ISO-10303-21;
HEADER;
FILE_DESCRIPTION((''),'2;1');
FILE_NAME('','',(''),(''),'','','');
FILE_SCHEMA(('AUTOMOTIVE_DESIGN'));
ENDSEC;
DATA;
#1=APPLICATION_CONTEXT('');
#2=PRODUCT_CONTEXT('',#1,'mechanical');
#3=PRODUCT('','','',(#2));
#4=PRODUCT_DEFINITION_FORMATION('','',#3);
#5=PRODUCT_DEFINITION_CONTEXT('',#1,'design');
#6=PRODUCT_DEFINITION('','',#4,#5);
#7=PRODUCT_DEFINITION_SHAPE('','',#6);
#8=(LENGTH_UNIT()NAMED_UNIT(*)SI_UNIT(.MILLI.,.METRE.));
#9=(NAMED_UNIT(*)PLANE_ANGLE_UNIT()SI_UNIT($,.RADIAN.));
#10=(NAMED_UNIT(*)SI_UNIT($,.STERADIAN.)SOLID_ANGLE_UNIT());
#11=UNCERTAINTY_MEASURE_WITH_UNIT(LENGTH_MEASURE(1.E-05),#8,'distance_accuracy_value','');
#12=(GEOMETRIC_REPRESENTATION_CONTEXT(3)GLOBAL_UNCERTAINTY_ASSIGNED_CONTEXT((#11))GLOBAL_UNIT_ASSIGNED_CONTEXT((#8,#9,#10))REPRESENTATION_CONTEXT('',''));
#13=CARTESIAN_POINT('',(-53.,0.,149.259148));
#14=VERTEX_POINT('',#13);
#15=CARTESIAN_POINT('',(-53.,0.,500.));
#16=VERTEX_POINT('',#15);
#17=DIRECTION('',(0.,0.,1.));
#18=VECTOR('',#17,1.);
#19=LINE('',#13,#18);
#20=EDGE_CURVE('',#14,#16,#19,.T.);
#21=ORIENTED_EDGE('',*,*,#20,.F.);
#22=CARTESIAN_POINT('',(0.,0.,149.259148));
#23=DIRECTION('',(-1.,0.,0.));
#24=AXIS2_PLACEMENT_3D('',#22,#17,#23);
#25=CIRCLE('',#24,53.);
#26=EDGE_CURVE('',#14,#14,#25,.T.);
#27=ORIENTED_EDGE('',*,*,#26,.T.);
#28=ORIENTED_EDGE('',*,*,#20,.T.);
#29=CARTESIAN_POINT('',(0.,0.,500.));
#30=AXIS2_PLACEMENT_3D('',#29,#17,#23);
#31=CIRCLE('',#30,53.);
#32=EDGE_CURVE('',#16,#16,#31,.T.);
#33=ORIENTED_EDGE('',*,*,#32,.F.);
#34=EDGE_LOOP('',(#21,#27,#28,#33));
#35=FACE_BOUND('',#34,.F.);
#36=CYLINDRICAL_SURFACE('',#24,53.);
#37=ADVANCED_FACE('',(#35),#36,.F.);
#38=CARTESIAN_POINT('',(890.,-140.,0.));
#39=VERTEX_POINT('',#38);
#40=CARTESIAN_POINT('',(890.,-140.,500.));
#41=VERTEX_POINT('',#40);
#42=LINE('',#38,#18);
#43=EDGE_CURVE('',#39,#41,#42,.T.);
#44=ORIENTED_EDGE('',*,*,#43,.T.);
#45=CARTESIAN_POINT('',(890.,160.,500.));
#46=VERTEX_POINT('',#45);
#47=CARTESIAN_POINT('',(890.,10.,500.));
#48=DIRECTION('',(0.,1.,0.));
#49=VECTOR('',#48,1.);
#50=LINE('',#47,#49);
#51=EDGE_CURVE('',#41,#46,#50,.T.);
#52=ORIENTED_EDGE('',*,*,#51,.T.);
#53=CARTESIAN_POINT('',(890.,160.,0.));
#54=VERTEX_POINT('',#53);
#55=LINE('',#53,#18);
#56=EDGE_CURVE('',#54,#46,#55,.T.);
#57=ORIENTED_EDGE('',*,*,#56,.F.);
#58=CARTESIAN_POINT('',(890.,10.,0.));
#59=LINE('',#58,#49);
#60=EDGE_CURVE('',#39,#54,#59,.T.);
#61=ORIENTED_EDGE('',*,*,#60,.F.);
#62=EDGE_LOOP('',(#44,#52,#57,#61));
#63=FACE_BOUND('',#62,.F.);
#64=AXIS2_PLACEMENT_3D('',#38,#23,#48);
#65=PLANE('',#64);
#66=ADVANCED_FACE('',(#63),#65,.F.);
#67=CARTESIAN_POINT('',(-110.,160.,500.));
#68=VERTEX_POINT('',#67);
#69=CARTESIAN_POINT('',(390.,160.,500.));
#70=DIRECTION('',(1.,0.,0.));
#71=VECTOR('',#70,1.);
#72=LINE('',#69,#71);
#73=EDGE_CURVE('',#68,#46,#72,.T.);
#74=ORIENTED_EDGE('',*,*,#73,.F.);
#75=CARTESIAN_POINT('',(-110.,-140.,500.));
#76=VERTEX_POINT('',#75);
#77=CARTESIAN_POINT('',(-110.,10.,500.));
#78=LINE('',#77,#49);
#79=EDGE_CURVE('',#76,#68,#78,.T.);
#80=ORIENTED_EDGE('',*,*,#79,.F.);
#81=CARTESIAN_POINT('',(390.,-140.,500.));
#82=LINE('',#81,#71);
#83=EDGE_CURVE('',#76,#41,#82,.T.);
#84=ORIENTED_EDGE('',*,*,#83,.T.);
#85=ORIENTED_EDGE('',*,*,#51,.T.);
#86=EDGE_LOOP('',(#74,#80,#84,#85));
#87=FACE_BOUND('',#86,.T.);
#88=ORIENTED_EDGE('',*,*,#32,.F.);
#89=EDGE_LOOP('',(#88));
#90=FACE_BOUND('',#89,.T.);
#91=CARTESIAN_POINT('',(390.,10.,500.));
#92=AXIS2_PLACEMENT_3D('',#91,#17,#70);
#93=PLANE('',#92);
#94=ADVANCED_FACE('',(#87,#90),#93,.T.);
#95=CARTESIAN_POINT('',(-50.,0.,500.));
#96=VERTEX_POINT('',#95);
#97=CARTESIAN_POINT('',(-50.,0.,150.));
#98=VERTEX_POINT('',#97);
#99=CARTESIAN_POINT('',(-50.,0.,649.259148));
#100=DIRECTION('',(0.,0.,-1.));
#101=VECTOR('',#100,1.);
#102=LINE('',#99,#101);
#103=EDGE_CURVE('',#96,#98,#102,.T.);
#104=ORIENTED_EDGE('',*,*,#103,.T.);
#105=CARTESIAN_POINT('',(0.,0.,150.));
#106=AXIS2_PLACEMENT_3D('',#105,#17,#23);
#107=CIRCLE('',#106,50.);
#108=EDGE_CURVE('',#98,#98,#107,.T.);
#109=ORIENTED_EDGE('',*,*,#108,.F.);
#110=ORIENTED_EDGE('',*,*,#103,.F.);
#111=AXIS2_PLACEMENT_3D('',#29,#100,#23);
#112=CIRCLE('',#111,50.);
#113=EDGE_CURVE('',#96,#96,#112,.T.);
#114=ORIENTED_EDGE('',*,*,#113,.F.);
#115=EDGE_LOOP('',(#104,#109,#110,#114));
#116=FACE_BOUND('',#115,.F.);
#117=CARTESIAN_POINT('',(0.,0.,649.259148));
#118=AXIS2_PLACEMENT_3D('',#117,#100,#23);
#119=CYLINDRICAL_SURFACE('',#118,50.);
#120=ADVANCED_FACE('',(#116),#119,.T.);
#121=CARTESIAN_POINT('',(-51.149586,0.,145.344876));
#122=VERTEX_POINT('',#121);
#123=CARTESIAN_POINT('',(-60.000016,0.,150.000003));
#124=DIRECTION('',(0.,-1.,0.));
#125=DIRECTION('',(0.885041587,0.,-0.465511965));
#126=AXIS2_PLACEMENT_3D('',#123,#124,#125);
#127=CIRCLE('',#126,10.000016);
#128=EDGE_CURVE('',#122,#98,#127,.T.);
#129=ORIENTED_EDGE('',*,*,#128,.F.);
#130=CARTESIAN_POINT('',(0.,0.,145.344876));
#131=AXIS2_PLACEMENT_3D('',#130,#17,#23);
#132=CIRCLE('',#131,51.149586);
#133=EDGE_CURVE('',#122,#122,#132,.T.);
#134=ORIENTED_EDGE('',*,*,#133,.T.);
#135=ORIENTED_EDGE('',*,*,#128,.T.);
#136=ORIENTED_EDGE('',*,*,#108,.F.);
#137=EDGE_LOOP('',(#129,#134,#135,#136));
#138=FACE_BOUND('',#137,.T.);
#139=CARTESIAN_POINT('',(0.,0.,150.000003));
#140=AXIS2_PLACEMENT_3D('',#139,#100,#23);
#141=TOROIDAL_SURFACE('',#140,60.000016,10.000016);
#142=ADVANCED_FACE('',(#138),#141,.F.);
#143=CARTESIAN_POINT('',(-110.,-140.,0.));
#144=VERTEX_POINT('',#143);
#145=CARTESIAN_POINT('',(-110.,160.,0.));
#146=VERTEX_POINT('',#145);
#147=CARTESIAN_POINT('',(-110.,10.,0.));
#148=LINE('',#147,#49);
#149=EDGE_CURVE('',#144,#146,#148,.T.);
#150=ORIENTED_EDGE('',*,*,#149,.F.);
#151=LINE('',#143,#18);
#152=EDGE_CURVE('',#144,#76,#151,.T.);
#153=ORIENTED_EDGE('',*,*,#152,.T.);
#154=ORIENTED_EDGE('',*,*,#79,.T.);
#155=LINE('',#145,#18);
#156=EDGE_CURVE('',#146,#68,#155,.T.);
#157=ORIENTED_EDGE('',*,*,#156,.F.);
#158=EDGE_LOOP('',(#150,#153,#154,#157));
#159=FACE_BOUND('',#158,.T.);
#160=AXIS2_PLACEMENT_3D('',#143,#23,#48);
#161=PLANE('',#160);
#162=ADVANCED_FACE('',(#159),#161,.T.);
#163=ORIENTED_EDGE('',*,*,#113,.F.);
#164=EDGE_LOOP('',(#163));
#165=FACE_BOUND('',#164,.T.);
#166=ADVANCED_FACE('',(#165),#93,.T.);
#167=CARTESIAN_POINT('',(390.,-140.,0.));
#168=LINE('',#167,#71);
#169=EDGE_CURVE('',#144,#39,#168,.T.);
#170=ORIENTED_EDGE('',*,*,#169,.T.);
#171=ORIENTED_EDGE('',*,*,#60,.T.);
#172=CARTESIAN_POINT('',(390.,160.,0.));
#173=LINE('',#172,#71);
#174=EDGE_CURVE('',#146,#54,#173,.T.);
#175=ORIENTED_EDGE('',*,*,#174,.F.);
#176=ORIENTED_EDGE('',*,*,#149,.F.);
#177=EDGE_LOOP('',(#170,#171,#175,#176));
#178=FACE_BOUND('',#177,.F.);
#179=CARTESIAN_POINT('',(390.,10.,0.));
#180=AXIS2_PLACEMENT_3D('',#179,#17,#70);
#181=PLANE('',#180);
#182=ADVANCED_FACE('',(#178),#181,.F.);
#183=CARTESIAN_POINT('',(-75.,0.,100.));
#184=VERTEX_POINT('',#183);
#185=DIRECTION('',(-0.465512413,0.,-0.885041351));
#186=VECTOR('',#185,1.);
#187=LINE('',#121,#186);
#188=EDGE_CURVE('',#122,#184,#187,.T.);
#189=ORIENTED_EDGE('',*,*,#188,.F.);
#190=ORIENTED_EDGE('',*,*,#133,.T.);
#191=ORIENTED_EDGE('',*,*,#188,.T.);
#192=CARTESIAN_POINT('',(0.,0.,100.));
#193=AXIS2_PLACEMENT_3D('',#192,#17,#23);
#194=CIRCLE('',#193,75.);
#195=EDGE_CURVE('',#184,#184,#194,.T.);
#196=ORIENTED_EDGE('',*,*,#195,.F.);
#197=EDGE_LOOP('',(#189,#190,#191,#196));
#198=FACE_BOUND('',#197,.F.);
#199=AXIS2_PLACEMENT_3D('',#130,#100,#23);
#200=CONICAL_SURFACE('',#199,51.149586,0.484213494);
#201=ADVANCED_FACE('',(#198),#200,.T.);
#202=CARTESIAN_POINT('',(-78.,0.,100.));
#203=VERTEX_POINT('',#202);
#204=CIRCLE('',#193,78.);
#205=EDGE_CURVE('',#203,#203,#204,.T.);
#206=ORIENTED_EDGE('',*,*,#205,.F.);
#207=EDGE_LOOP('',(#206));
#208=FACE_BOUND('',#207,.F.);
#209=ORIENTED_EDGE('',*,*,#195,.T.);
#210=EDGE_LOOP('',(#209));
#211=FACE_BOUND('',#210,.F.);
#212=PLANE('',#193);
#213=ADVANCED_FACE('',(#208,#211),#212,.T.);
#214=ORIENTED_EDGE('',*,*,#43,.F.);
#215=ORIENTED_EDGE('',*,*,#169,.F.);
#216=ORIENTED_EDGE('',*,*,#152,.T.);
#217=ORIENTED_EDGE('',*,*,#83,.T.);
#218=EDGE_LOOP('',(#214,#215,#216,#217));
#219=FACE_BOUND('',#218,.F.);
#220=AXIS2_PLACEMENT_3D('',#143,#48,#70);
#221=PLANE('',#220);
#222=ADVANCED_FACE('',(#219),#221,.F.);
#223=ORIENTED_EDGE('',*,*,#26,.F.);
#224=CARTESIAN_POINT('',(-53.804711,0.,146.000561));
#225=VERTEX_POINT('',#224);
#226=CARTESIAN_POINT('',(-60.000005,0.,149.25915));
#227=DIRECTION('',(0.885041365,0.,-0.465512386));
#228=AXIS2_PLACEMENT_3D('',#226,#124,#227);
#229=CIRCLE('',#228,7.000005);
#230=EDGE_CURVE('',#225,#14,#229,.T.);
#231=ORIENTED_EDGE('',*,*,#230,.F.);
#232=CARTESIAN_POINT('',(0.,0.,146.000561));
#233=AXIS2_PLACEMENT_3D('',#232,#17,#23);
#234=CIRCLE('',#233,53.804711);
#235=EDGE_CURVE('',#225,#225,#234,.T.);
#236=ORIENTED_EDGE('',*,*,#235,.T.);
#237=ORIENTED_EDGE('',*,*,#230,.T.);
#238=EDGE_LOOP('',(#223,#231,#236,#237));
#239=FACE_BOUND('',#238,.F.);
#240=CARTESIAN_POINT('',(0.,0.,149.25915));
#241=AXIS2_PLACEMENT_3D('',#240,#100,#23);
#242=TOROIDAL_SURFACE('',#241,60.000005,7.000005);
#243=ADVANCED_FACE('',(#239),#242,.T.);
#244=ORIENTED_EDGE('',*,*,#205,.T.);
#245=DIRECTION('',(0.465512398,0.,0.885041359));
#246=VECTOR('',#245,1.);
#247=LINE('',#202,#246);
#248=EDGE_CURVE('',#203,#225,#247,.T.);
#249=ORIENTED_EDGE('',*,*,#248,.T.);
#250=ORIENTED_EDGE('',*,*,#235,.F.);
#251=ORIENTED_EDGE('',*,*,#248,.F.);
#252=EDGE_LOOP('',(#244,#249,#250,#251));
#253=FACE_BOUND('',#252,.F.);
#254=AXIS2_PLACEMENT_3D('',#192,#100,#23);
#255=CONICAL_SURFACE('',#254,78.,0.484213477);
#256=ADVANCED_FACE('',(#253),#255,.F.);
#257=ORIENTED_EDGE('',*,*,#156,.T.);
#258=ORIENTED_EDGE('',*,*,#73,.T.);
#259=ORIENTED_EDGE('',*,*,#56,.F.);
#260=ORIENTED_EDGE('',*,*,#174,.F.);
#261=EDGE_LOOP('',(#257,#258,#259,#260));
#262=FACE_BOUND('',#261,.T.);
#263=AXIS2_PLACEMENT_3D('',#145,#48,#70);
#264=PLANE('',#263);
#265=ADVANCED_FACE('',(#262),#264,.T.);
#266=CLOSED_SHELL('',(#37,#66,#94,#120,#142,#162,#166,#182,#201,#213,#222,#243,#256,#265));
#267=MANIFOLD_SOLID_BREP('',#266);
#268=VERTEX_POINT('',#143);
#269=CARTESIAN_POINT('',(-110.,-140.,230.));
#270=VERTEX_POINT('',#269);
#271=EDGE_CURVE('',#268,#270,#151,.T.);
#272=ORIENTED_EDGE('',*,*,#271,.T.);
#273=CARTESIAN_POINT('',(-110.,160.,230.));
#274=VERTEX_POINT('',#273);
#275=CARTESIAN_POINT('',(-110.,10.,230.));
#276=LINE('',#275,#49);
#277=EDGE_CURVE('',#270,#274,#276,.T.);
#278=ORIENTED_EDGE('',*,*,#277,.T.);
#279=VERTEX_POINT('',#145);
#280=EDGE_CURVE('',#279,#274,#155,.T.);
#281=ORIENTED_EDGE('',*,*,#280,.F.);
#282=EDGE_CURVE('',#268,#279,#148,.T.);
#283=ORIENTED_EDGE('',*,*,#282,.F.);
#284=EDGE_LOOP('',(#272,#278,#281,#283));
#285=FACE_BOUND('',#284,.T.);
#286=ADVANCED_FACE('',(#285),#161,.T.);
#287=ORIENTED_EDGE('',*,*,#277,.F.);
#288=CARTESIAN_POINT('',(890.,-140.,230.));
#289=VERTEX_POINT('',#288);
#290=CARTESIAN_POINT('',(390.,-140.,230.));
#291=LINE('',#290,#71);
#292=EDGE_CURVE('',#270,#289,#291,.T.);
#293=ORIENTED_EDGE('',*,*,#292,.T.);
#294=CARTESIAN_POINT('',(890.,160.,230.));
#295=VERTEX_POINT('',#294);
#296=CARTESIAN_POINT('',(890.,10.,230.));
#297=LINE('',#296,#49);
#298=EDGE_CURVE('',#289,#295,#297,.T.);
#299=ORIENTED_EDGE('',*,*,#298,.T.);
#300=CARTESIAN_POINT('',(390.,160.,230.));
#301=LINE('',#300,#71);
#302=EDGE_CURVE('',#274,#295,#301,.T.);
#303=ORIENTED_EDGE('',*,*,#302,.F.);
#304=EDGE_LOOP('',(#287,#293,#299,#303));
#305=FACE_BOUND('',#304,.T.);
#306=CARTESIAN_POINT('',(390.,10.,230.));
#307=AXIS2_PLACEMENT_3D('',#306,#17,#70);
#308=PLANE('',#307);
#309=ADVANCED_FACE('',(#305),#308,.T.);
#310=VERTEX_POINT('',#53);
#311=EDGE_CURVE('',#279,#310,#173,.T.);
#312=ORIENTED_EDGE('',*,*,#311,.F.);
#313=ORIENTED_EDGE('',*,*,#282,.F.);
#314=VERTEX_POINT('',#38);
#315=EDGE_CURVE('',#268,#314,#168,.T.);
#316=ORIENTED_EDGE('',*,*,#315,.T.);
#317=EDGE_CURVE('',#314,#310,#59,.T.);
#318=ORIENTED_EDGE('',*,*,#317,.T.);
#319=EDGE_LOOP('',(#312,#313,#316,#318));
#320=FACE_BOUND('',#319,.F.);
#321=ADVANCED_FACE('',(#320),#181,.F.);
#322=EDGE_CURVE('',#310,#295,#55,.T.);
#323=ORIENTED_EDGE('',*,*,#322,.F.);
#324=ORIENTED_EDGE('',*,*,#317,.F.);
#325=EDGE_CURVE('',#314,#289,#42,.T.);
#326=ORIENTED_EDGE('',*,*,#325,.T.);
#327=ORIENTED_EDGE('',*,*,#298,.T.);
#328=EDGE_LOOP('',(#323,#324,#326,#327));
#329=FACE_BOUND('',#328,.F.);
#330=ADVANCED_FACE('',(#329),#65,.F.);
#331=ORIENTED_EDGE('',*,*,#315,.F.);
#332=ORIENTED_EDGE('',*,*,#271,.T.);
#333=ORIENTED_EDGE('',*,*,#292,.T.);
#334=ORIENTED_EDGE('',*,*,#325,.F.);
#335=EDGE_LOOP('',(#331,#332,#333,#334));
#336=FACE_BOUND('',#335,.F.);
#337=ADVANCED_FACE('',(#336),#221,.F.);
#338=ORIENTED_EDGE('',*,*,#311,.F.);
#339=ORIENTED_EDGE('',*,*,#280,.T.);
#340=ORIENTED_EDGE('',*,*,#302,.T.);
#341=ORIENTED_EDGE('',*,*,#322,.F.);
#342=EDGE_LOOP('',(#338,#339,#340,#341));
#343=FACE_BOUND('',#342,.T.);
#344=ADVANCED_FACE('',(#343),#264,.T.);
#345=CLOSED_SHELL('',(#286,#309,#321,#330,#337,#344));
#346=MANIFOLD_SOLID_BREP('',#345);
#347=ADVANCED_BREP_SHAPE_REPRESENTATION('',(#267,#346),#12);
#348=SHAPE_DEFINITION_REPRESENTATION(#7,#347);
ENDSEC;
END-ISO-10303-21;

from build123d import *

# Parameters (mm, degrees)
BOX_W        = 1000
BOX_H        = 300
BOX_DEPTH    = 500
BOX001_W     = 1000
BOX001_H     = 300
BOX001_DEPTH = 230


with BuildPart() as body:
    # Sketch → Revolution (revolve)
    with BuildSketch(Plane.XZ):
        with BuildLine():
            Line((-50, 649.259148), (-50, 150))
            ThreePointArc((-51.149586, 145.344876), (-50.29165, 147.602515), (-50, 150))
            Line((-51.149586, 145.344876), (-75, 100))
            Line((-75, 100), (-78, 100))
            Line((-78, 100), (-53.804711, 146.000561))
            ThreePointArc((-53.804711, 146.000561), (-53.204155, 147.580909), (-53, 149.259148))
            Line((-53, 149.259148), (-53, 649.259148))
            Line((-53, 649.259148), (-50, 649.259148))
        make_face()
    revolve(axis=Axis((0, 0, 0), (0, 0, 1)))


with BuildPart() as cut:
    # Box → Box (new body)
    with BuildSketch(Plane(origin=(-110, -140, 0), x_dir=(1, 0, 0), z_dir=(0, 0, 1))):
        with Locations((500, 150)):
            Rectangle(BOX_W, BOX_H)
    extrude(amount=BOX_DEPTH)

    # Cut: cut Body
    add(body.part, mode=Mode.SUBTRACT)


with BuildPart() as box001:
    # Box001 → Box001 (new body)
    with BuildSketch(Plane(origin=(-110, -140, 0), x_dir=(1, 0, 0), z_dir=(0, 0, 1))):
        with Locations((500, 150)):
            Rectangle(BOX001_W, BOX001_H)
    extrude(amount=BOX001_DEPTH)


solid = Compound([cut.part, box001.part])
